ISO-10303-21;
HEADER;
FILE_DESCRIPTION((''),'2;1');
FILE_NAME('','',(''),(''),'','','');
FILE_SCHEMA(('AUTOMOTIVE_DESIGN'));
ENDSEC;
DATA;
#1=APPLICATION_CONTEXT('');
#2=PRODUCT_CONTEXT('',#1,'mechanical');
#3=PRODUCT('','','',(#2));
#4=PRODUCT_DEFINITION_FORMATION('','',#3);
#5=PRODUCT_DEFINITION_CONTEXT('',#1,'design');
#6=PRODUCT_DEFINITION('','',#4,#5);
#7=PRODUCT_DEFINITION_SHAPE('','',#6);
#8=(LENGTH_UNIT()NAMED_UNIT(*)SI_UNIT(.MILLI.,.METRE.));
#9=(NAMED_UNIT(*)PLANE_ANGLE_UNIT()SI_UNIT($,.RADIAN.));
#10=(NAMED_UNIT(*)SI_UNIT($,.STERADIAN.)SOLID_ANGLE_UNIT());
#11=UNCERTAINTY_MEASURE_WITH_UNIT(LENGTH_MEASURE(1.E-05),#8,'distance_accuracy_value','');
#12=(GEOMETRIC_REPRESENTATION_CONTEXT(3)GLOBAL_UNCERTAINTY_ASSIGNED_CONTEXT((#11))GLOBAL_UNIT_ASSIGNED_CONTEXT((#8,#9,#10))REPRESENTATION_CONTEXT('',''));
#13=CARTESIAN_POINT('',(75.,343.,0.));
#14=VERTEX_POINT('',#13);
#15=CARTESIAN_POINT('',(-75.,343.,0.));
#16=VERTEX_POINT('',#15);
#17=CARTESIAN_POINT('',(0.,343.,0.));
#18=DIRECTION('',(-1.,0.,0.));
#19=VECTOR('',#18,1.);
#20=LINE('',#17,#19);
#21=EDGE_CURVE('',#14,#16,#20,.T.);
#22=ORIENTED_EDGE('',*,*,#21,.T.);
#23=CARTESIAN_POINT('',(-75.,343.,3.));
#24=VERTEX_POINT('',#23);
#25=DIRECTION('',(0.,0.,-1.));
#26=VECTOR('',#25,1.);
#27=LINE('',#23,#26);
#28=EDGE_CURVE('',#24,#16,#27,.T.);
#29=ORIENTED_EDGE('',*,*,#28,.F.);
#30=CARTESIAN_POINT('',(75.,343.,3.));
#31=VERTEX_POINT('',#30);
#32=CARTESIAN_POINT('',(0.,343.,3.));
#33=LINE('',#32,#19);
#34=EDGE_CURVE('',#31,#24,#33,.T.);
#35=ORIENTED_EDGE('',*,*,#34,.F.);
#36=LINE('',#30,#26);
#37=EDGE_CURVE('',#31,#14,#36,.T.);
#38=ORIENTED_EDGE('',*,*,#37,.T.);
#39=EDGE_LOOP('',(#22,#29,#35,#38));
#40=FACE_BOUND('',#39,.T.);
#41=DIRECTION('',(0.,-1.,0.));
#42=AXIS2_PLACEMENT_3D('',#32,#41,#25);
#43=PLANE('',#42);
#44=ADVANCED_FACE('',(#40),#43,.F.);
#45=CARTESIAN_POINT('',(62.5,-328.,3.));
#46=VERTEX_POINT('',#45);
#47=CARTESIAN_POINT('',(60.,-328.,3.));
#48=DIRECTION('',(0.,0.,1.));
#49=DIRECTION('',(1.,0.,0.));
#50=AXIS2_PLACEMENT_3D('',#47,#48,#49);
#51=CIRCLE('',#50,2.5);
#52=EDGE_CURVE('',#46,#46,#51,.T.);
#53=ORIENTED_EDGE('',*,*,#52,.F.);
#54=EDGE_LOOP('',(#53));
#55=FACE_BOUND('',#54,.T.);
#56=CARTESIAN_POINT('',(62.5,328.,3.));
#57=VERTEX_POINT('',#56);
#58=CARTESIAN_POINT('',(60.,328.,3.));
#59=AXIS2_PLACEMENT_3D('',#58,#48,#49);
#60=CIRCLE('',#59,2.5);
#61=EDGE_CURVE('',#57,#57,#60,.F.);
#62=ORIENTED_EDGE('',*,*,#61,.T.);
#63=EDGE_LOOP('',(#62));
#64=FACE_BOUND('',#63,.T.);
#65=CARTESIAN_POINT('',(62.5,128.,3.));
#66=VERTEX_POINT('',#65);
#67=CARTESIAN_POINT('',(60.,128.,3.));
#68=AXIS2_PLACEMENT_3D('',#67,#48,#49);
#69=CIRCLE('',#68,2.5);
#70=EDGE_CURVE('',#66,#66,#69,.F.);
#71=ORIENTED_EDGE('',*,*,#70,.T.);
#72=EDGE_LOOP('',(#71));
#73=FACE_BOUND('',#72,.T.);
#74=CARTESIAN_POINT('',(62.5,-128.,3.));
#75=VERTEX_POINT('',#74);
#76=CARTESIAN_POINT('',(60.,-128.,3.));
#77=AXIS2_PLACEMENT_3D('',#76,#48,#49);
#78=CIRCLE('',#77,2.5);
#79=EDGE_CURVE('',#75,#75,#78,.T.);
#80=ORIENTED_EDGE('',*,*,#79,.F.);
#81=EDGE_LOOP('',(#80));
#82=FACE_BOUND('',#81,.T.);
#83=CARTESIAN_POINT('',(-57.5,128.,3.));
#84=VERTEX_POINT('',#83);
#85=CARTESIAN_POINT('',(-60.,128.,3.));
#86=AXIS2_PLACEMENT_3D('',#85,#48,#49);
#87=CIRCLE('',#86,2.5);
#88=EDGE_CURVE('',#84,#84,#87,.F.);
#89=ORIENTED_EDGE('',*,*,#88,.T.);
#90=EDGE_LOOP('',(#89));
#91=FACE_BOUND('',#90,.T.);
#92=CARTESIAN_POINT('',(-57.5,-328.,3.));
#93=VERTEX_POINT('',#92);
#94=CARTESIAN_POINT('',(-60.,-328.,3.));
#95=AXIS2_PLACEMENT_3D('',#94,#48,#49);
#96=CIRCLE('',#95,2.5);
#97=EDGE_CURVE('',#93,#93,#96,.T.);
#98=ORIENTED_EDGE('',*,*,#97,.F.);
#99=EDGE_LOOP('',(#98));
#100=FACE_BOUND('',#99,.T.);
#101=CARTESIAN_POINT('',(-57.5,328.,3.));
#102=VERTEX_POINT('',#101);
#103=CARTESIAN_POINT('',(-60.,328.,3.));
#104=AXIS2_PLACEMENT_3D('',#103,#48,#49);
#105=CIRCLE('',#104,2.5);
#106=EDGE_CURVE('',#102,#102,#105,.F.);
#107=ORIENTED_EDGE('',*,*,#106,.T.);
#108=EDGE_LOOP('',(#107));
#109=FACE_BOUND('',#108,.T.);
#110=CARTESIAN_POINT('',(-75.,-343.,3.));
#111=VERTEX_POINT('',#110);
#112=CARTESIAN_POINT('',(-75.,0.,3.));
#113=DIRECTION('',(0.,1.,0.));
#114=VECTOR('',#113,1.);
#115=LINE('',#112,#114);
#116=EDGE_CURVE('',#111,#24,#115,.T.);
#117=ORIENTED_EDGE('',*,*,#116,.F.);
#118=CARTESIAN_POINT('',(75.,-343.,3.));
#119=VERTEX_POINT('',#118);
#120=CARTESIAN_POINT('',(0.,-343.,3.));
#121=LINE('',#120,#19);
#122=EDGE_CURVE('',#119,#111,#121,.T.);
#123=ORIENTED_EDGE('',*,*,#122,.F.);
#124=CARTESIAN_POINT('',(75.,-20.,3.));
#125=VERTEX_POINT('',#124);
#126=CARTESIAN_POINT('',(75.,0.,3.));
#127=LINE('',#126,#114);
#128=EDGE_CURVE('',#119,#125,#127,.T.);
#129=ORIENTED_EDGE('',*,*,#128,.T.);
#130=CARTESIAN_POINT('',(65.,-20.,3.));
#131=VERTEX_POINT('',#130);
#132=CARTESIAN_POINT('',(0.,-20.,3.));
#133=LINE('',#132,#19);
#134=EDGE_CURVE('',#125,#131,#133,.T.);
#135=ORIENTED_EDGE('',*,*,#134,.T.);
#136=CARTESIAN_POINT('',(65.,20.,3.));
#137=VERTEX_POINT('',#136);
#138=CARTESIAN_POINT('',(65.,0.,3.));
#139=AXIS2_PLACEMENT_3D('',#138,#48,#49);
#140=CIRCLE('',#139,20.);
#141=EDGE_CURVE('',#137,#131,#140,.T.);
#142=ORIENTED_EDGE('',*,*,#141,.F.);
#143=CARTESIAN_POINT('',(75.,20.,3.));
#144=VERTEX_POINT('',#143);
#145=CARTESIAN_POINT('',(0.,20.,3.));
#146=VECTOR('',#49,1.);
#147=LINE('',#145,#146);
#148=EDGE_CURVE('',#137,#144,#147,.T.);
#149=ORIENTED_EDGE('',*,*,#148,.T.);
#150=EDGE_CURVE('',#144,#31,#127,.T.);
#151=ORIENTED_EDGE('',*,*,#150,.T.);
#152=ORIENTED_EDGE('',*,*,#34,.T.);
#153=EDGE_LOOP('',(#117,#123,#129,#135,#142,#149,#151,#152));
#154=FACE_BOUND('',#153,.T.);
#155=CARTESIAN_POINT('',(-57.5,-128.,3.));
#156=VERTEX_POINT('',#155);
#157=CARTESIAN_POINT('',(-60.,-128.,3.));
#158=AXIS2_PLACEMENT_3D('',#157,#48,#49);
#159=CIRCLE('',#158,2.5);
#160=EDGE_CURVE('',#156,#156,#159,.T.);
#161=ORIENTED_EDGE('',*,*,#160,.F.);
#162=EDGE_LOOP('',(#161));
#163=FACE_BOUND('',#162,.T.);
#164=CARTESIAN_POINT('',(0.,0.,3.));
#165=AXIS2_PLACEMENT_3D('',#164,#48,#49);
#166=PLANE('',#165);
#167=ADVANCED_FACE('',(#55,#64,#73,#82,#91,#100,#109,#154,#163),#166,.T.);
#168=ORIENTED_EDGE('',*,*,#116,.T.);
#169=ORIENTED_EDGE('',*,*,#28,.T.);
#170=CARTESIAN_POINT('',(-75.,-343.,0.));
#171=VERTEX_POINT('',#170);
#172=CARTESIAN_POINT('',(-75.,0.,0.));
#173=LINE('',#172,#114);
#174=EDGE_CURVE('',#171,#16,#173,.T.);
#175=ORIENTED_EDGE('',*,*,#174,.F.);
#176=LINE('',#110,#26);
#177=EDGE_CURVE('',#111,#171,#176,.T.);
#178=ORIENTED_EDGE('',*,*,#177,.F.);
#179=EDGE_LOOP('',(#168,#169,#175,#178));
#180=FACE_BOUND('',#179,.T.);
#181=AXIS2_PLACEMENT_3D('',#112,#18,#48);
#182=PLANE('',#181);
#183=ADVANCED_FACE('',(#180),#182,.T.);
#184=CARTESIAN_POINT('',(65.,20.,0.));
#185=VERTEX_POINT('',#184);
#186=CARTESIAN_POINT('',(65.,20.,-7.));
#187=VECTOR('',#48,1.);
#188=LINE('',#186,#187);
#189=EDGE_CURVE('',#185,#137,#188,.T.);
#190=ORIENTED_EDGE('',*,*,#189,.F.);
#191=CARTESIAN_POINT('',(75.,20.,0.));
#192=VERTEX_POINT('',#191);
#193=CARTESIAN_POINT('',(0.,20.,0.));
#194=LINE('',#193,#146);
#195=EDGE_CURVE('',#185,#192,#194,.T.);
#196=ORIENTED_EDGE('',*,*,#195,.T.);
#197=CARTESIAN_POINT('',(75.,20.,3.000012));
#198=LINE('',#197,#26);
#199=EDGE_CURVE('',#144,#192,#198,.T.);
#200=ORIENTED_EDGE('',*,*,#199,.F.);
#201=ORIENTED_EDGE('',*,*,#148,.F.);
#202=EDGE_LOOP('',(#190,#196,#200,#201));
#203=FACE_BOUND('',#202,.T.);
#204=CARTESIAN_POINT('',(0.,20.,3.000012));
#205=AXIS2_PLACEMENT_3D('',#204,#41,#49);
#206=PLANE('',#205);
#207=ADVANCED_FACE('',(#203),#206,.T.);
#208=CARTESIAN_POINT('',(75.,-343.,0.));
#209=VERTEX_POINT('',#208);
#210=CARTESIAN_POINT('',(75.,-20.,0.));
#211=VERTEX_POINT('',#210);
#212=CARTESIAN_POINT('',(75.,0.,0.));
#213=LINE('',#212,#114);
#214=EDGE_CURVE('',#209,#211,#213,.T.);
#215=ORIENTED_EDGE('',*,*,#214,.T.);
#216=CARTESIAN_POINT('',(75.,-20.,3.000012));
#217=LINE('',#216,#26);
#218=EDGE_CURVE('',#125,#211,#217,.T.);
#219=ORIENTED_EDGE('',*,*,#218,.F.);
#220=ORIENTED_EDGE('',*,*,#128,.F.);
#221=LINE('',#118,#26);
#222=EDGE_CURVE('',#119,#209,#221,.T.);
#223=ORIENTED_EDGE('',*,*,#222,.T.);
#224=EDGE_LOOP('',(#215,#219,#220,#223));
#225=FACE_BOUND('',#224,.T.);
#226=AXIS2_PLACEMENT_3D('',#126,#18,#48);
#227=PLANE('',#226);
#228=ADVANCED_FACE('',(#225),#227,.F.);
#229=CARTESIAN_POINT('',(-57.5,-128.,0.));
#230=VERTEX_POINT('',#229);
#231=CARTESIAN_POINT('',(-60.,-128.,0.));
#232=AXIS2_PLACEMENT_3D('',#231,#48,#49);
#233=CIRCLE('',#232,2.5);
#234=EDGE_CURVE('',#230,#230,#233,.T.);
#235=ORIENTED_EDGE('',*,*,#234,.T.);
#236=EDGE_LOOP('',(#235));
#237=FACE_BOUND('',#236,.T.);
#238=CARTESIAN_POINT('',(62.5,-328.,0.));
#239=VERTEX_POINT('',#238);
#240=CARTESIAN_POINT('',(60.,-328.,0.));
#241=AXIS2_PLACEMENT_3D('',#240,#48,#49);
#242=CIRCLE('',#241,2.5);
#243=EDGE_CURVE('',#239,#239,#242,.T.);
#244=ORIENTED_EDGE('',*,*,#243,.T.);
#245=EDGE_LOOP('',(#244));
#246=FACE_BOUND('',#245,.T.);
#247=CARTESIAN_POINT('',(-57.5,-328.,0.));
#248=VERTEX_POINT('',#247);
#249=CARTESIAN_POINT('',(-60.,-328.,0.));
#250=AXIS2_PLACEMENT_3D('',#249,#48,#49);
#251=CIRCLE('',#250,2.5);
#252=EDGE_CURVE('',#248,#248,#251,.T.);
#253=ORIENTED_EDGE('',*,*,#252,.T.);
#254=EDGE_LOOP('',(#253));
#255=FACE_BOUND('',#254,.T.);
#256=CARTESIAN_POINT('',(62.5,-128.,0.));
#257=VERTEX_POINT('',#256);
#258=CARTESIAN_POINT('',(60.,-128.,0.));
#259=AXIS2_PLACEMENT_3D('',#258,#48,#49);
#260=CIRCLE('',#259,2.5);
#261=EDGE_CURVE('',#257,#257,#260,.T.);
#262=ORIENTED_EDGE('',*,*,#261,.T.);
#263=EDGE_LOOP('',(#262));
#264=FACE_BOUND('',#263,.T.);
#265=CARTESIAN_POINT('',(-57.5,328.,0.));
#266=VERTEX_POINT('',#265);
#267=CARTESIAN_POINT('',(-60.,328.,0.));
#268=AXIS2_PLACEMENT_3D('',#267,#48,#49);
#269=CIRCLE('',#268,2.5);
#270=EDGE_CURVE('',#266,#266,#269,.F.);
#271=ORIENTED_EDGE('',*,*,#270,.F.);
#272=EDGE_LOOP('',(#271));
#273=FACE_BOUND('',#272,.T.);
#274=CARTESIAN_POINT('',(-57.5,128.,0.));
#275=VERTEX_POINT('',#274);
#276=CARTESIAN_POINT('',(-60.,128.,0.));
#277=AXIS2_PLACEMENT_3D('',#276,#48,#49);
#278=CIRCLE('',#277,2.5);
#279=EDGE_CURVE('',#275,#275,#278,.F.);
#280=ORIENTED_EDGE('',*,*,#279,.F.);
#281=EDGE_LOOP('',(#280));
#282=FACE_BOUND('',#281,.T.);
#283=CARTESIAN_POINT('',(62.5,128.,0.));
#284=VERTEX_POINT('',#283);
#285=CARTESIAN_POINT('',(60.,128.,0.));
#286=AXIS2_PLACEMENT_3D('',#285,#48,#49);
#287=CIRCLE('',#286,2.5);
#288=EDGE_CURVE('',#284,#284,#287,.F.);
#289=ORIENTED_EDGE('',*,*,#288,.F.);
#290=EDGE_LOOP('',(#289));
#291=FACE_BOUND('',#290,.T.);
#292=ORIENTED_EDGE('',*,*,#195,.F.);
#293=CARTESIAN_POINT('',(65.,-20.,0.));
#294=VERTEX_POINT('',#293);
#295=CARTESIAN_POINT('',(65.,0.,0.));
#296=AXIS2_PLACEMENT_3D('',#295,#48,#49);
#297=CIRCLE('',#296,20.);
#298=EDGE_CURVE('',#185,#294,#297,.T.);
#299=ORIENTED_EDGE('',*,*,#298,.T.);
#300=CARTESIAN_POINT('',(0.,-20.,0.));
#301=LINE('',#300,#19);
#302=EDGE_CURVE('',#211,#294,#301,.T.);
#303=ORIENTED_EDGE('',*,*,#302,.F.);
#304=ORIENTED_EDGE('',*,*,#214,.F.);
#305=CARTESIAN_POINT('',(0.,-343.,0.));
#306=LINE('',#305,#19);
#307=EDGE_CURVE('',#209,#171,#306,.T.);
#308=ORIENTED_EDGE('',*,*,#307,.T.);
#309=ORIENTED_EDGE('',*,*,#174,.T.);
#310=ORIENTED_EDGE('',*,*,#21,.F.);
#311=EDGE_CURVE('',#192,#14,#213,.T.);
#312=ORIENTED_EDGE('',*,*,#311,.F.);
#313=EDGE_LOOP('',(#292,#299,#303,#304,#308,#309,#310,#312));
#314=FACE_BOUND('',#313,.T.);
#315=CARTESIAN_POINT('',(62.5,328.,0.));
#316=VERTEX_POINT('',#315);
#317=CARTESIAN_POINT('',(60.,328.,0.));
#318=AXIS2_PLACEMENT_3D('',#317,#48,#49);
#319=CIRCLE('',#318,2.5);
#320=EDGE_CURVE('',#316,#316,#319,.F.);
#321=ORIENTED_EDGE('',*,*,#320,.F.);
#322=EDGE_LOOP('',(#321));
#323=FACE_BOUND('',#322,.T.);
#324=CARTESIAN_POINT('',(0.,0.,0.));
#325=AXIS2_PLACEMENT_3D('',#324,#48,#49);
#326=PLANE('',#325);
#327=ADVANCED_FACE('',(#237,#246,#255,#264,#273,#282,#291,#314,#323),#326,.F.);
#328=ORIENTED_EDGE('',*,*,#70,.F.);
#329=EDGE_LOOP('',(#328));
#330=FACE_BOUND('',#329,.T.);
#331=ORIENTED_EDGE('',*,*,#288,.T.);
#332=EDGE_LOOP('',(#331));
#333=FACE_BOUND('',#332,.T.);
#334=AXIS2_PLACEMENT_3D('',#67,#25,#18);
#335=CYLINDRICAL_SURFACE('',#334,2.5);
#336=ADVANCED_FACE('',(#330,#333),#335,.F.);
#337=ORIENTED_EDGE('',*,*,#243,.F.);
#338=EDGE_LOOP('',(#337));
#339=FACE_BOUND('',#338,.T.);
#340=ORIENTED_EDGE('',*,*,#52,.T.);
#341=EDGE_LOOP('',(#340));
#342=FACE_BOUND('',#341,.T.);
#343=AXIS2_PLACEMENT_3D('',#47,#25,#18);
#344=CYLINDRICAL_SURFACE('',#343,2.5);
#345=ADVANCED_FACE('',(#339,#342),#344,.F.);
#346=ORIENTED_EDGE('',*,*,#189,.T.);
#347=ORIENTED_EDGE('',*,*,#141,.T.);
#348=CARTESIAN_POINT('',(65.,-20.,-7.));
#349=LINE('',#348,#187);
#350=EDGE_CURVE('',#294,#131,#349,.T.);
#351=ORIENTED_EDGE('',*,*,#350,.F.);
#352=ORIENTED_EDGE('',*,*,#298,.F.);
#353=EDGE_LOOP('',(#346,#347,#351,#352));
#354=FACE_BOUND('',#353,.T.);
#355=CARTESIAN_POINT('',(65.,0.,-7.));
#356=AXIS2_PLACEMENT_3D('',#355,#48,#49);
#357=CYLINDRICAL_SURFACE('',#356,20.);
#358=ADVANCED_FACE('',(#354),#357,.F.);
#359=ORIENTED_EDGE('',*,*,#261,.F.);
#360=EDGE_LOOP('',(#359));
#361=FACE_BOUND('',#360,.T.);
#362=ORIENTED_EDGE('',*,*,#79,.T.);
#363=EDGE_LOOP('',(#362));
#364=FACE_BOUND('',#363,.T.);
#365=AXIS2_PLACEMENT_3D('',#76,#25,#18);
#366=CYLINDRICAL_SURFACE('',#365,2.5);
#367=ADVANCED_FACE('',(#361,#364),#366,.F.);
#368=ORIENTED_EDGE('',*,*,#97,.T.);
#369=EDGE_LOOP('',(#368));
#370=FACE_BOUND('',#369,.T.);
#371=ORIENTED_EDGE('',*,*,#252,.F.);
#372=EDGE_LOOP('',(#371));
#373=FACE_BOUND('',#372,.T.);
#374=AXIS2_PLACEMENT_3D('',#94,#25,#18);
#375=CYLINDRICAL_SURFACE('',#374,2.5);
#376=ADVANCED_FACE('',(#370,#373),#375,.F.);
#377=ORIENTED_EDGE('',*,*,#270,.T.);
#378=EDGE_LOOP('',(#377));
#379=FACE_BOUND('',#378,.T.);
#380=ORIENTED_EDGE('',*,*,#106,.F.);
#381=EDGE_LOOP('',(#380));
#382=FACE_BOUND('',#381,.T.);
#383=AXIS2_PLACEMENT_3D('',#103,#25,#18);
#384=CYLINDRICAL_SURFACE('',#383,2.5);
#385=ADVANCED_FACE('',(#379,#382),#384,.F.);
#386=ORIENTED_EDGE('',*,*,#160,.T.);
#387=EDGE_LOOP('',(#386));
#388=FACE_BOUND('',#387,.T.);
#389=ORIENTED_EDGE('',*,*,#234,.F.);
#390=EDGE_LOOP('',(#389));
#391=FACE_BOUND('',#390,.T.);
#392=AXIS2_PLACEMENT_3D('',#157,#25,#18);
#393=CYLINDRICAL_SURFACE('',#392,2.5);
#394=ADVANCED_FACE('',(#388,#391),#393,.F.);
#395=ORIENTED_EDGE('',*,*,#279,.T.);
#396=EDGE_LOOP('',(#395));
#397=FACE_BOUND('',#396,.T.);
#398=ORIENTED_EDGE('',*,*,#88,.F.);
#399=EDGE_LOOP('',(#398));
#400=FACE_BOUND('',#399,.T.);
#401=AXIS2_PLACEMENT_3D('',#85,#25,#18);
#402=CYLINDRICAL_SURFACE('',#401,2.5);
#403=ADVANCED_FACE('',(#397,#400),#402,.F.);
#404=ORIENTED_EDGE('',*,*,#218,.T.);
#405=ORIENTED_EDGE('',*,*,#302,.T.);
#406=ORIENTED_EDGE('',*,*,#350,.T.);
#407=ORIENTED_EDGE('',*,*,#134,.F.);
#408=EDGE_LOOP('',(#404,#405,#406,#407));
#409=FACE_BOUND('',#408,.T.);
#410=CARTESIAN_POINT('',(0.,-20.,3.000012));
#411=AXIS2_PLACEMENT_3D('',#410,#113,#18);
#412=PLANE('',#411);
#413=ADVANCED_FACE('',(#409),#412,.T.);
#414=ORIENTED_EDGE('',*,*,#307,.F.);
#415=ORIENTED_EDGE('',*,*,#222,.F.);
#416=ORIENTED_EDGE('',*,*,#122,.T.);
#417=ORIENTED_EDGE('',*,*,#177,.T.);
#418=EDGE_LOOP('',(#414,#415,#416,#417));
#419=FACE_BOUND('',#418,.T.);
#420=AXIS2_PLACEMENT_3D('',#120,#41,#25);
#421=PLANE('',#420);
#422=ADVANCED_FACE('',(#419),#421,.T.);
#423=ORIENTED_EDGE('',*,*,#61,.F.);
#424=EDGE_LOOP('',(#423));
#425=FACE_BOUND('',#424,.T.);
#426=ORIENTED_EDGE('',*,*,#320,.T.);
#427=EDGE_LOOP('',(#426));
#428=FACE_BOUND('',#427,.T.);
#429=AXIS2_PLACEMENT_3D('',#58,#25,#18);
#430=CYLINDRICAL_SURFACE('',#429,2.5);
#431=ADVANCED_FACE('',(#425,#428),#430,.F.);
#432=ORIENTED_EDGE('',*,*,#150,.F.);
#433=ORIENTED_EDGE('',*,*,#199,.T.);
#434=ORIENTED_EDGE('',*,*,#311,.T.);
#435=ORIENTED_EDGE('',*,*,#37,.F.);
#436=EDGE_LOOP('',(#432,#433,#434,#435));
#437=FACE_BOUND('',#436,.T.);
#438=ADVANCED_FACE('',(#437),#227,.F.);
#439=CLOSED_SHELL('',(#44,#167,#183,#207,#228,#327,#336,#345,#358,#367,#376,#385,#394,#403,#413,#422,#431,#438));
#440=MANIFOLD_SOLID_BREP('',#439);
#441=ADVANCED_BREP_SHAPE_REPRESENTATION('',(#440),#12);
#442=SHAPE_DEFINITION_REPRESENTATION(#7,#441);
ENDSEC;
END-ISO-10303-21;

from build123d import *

# Parameters (mm, degrees)
SKETCH1_W               = 686
SKETCH1_H               = 150
SKETCH1_R               = 2.5
BOSS_EXTRUDE1_DEPTH     = 3
CUT_EXTRUDE4_DEPTH      = 352.116789687
CUT_EXTRUDE4_DEPTH_BACK = 10


with BuildPart() as part:
    # Sketch1 → Boss-Extrude1 (new body)
    with BuildSketch(Plane(origin=(0, 0, 0), x_dir=(0, 1, 0), z_dir=(0, 0, 1))):
        Rectangle(SKETCH1_W, SKETCH1_H)
        with Locations(Location((-128, -60, 0), (0, 0, 270))):
            Circle(SKETCH1_R, mode=Mode.SUBTRACT)
        with Locations(Location((-328, 60, 0), (0, 0, 270))):
            Circle(SKETCH1_R, mode=Mode.SUBTRACT)
        with Locations(Location((-328, -60, 0), (0, 0, 270))):
            Circle(SKETCH1_R, mode=Mode.SUBTRACT)
        with Locations(Location((-128, 60, 0), (0, 0, 270))):
            Circle(SKETCH1_R, mode=Mode.SUBTRACT)
        with Locations(Location((328, -60, 0), (0, 0, 270))):
            Circle(SKETCH1_R, mode=Mode.SUBTRACT)
        with Locations(Location((328, 60, 0), (0, 0, 270))):
            Circle(SKETCH1_R, mode=Mode.SUBTRACT)
        with Locations(Location((128, -60, 0), (0, 0, 270))):
            Circle(SKETCH1_R, mode=Mode.SUBTRACT)
        with Locations(Location((128, 60, 0), (0, 0, 270))):
            Circle(SKETCH1_R, mode=Mode.SUBTRACT)
    extrude(amount=BOSS_EXTRUDE1_DEPTH)

    # Sketch4 → Cut-Extrude4 (cut, two sides: drawn at the far end of the back side and taken through both)
    with BuildSketch(Plane.XY.offset(3).offset(-CUT_EXTRUDE4_DEPTH_BACK)):
        with BuildLine():
            Line((75, -20), (75, 20))
            Line((75, 20), (65, 20))
            ThreePointArc((65, 20), (45, 0), (65, -20))
            Line((65, -20), (75, -20))
        make_face()
    extrude(amount=CUT_EXTRUDE4_DEPTH + CUT_EXTRUDE4_DEPTH_BACK, mode=Mode.SUBTRACT)


solid = part.part
